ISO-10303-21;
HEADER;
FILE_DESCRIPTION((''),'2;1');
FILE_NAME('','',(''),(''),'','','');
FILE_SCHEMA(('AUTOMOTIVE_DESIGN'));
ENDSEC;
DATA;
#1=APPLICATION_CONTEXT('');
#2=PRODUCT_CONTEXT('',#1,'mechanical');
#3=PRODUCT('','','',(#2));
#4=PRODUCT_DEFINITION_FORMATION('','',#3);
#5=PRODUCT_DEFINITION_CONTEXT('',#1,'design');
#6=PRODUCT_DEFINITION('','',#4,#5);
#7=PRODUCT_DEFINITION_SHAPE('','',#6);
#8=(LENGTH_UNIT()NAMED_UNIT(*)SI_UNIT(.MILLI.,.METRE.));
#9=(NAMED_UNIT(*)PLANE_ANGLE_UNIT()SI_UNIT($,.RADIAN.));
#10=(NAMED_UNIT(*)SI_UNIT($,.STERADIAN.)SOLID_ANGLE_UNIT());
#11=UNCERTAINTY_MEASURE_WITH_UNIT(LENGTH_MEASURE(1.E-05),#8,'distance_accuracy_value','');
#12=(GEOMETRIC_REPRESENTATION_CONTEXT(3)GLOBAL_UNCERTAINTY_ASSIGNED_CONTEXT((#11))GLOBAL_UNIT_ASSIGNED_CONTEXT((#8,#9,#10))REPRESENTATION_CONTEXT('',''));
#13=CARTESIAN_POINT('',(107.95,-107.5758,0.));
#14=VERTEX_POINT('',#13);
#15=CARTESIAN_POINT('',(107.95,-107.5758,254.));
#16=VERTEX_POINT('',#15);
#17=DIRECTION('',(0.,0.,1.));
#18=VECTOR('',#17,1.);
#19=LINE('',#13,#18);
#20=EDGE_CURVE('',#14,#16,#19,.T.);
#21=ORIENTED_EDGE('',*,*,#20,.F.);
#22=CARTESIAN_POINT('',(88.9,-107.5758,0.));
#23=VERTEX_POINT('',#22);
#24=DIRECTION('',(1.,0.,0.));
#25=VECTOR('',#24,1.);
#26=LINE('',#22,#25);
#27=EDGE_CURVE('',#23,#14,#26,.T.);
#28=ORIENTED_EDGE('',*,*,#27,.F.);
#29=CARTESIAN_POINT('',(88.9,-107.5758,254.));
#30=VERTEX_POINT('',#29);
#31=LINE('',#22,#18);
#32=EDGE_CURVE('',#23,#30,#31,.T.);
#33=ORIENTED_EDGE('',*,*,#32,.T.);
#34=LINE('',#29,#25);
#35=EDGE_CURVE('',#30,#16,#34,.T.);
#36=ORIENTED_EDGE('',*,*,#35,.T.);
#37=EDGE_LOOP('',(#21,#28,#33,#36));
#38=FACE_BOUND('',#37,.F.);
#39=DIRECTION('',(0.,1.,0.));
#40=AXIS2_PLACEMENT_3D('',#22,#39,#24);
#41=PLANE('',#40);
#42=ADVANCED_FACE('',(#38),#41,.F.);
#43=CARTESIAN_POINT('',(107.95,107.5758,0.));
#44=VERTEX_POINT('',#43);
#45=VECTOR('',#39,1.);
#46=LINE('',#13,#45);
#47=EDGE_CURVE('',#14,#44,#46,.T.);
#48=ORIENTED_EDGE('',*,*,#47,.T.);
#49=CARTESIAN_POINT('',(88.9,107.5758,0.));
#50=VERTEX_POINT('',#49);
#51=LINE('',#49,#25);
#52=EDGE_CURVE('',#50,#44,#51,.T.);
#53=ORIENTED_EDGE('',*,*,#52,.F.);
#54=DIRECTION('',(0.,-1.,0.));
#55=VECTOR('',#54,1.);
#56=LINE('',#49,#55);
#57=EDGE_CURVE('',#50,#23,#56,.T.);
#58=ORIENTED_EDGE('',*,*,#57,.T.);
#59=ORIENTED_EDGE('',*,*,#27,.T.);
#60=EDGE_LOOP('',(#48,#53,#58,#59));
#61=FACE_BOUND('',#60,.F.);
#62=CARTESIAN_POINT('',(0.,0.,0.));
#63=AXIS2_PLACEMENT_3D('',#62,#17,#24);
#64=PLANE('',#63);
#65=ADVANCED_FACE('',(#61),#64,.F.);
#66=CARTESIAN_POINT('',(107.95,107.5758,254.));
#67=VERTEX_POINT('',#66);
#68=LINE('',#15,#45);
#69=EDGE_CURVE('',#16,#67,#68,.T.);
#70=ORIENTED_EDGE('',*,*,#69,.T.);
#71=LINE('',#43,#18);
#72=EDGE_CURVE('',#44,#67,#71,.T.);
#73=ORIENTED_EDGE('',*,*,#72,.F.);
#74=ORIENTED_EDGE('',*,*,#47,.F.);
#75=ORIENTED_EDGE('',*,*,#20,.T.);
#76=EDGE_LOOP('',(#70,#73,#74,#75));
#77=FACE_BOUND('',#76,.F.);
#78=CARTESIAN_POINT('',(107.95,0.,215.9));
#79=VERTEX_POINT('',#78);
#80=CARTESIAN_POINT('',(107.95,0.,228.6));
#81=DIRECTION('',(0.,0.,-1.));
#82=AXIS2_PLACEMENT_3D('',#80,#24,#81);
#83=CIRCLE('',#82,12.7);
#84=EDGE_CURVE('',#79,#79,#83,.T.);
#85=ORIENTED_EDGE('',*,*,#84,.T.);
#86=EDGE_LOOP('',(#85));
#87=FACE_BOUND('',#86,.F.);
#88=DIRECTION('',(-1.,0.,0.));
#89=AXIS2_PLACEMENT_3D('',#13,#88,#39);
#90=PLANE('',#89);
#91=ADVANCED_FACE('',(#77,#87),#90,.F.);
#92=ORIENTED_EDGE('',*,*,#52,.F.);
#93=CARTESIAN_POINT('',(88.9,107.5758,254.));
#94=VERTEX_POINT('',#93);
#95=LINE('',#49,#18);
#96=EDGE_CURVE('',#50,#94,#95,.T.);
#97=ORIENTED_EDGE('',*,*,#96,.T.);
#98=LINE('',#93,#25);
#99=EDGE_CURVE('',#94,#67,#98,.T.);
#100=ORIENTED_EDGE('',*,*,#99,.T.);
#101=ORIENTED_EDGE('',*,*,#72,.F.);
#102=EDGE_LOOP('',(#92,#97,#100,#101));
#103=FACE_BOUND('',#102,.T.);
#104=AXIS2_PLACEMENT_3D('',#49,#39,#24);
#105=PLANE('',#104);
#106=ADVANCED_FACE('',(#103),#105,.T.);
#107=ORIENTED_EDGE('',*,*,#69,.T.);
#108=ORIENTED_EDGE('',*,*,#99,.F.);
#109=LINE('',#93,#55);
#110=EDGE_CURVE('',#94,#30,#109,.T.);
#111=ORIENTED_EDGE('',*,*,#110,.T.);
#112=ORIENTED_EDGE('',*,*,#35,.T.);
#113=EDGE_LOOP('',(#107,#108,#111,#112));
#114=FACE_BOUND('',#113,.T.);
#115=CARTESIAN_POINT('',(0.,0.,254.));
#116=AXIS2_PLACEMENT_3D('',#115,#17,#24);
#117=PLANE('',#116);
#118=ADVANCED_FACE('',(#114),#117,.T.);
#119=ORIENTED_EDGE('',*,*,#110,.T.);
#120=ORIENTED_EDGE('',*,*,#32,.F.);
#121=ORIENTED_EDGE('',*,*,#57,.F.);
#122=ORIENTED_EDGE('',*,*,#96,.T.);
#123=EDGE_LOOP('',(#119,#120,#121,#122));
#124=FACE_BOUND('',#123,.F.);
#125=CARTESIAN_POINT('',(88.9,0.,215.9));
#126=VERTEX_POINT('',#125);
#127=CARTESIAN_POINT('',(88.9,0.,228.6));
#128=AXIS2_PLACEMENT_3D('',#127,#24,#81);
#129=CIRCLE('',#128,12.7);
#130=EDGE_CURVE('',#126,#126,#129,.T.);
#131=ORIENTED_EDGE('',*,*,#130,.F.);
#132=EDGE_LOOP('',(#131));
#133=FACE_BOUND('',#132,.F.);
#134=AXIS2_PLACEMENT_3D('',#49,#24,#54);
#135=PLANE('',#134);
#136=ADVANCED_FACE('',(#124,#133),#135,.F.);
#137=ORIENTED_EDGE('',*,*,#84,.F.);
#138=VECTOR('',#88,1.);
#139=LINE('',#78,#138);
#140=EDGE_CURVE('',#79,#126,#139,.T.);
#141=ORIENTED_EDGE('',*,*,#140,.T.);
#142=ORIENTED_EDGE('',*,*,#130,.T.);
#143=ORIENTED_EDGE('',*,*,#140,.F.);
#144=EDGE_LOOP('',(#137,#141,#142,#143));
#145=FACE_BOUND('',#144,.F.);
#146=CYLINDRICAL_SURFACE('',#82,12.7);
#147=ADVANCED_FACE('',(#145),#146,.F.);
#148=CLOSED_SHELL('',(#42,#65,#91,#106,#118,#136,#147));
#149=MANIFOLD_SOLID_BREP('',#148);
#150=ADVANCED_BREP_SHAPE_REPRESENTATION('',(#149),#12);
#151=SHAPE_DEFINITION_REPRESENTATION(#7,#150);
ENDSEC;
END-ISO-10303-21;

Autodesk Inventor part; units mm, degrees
ref_plane "YZ Plane" through (0, 0, 0) normal (1, 0, 0) x (0, 1, 0)
ref_plane "XZ Plane" through (0, 0, 0) normal (0, 1, 0) x (-1, 0, 0)
ref_plane "XY Plane" through (0, 0, 0) normal (0, 0, 1) x (1, 0, 0)
ref_plane "Work Plane1" through (0, 0, 0) normal (0, 0, 1) x (1, 0, 0)
sketch "Sketch1" plane through (0, 0, 0) normal (0, 0, 1) x (1, 0, 0)
  circle A0 centre (0, 0) radius 152.4 projected
  line L0 (107.95, -107.5758) -> (107.95, 107.5758)
  line L1 (88.9, 107.5758) -> (88.9, -107.5758)
  line L2 (88.9, -107.5758) -> (107.95, -107.5758)
  line L3 (88.9, 107.5758) -> (107.95, 107.5758)
  dimension "d0" = 19.05
  dimension "d1" = 88.9
extrude "Extrusion1" add sketch "Sketch1" along normal blind 254 contours L0 L2 L1 L3
sketch "Sketch2" plane through (107.95, -107.5758, 0) normal (1, 0, 0) x (0, 0, -1)
  line L0 (-254, 0) -> (-254, 215.1516) construction
  line L1 (-254, 107.5758) -> (0, 107.5758) construction
  circle A0 centre (-228.6, 107.5758) radius 12.7
  dimension "d4" = 25.4
  dimension "d5" = 25.4
extrude "Extrusion2" cut sketch "Sketch2" against normal through all
properties part number "sideSupportFor12inchBase"
